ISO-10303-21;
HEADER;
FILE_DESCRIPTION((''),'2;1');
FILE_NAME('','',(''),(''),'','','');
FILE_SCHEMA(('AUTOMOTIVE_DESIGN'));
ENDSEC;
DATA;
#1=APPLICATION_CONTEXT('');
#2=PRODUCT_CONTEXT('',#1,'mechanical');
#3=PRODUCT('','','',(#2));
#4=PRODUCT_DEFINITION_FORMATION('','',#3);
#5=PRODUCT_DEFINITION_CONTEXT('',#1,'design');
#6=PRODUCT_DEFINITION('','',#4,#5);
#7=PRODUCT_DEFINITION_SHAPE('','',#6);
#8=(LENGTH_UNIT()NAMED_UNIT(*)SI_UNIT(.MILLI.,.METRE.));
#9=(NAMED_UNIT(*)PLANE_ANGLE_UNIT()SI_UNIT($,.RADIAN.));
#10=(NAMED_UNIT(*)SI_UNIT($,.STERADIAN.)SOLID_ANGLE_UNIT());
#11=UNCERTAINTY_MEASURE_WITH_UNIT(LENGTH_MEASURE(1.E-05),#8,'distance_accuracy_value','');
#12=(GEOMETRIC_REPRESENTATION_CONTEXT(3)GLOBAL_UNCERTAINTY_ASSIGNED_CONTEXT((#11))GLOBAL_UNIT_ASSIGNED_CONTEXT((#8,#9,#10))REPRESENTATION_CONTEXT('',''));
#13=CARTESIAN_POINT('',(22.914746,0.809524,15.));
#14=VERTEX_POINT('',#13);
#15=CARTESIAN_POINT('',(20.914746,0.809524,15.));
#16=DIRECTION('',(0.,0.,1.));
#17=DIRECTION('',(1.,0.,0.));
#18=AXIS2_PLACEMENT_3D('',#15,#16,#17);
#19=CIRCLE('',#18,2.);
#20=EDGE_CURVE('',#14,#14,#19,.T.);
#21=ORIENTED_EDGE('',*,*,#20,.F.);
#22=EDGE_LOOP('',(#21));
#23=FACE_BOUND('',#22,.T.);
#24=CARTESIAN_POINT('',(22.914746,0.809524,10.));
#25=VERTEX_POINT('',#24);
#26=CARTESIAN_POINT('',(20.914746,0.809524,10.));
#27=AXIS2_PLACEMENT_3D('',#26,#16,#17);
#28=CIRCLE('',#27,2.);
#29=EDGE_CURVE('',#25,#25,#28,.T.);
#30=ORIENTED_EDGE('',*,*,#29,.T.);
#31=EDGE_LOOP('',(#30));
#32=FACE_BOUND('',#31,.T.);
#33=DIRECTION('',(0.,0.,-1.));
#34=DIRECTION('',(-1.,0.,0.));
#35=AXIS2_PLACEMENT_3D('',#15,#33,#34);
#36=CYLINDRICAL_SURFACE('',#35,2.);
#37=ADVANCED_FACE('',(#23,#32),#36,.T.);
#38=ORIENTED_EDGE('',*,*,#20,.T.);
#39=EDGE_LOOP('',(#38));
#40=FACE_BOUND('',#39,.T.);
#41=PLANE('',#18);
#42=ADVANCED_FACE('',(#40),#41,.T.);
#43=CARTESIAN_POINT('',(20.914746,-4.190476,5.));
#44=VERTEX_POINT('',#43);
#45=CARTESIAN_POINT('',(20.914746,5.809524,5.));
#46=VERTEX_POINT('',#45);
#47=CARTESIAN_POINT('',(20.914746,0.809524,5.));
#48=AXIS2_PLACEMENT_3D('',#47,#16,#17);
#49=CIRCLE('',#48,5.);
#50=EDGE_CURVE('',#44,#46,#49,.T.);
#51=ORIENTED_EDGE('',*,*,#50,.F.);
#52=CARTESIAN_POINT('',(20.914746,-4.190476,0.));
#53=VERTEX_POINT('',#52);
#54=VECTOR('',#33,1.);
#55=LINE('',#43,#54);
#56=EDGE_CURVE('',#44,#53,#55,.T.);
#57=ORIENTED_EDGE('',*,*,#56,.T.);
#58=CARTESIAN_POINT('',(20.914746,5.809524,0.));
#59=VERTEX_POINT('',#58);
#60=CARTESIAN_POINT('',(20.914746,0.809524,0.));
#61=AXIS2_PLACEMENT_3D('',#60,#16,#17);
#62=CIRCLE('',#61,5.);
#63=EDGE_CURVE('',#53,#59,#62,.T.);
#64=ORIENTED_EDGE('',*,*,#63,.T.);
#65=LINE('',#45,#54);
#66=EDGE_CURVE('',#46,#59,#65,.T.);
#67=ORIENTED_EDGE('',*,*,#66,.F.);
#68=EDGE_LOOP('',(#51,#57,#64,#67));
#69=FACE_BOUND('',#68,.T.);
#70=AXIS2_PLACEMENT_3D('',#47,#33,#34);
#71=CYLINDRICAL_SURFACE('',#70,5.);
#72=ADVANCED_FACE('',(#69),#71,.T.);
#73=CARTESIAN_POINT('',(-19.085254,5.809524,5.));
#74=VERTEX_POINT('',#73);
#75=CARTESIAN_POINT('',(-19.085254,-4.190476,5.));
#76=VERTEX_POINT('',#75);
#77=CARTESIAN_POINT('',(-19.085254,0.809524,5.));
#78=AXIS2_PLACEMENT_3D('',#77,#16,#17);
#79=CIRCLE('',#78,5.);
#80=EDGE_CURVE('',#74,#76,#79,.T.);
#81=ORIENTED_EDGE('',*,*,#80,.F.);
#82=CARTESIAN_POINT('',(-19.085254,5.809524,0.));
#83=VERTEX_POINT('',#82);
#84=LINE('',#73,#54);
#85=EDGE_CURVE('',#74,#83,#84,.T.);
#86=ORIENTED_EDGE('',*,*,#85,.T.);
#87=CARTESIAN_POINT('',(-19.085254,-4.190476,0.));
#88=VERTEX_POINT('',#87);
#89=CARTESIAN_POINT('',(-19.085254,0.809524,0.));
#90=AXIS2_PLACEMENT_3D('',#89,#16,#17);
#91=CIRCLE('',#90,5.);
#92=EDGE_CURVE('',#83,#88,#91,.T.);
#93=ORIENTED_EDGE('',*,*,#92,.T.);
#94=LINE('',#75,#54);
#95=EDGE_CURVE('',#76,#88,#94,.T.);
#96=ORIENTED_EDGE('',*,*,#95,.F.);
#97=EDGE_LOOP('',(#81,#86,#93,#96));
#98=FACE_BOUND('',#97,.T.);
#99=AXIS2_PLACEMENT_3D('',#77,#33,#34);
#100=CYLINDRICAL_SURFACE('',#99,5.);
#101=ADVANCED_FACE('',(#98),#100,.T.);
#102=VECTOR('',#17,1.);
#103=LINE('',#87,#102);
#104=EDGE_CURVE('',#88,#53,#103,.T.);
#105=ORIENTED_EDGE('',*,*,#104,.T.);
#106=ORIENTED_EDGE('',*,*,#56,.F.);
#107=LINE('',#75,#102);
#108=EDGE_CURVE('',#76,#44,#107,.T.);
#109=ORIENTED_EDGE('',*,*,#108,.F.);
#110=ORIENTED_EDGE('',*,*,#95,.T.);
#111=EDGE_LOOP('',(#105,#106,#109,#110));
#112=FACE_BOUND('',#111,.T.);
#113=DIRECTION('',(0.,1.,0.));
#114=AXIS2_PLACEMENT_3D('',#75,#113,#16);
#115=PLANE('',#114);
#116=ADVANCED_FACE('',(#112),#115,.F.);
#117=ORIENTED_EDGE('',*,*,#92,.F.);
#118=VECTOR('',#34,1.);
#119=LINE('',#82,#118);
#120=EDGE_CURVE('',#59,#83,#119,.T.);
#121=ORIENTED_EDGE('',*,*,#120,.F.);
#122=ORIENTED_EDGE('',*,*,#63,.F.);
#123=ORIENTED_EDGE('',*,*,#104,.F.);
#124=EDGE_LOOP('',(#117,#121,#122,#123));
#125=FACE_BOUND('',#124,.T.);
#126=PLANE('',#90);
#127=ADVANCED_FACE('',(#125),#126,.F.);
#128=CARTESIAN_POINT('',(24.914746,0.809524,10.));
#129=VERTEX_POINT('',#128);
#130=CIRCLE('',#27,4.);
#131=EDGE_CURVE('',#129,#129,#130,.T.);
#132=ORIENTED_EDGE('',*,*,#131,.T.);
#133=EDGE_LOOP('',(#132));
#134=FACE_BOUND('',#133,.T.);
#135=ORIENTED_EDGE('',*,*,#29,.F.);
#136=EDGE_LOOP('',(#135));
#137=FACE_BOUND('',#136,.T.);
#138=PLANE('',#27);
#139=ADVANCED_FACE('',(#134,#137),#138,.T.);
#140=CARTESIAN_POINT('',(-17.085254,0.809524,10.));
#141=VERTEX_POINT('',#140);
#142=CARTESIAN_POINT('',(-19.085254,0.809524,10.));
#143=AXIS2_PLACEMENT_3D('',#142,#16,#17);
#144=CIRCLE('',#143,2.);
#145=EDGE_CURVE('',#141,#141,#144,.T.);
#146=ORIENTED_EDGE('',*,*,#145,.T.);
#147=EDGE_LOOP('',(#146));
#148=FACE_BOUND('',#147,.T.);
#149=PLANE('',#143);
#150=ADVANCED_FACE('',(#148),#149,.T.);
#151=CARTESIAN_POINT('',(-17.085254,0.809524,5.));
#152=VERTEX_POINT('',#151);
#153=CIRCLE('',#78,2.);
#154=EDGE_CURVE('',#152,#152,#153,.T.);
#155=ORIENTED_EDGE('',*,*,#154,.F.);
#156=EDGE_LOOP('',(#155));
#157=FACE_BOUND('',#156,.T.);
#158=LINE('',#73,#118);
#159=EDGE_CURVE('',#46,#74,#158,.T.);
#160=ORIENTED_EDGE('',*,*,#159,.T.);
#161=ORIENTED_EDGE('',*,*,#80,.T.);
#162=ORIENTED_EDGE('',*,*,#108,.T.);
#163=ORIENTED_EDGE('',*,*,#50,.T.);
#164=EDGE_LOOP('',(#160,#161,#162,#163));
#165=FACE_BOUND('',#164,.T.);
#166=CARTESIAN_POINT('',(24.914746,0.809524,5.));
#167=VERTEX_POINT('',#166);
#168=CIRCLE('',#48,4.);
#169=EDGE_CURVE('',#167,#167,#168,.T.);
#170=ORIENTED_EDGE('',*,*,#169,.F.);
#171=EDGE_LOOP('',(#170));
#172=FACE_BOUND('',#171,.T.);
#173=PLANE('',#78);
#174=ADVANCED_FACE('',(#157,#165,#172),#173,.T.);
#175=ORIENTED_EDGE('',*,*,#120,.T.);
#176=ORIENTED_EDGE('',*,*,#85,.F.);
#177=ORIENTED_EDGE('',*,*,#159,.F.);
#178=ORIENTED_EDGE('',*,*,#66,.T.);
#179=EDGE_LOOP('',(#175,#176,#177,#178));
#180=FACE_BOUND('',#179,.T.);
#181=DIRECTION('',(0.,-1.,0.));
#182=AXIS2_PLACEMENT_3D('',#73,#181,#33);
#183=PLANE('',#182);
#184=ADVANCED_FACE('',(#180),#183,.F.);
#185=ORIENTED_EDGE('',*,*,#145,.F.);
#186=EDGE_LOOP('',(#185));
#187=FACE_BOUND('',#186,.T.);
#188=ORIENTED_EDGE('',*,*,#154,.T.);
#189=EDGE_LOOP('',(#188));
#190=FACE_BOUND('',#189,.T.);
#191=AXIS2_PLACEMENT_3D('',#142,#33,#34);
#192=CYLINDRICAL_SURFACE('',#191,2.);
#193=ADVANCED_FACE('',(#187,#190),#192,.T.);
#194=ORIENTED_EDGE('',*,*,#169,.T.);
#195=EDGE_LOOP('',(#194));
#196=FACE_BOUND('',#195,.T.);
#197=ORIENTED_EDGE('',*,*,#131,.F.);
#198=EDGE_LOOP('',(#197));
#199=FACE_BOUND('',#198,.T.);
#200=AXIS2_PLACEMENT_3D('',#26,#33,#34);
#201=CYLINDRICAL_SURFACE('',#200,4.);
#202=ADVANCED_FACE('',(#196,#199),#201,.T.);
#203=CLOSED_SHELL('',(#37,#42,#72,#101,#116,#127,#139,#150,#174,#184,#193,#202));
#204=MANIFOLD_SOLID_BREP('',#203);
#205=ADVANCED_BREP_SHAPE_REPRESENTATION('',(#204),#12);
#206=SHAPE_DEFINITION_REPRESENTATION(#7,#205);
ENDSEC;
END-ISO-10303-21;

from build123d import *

# Parameters (mm, degrees)
SALIENTE_EXTRUIR1_DEPTH = 5
CROQUIS2_R              = 2
CROQUIS2_R_2            = 4
SALIENTE_EXTRUIR2_DEPTH = 5
CROQUIS3_R              = 2
SALIENTE_EXTRUIR3_DEPTH = 5


with BuildPart() as part:
    # Croquis1 → Saliente-Extruir1 (new body)
    with BuildSketch(Plane.XY):
        with BuildLine():
            Line((-19.085254299, 5.80952381), (20.914745701, 5.80952381))
            ThreePointArc((20.914745701, 5.80952381), (25.914745701, 0.80952381), (20.914745701, -4.19047619))
            Line((20.914745701, -4.19047619), (-19.085254299, -4.19047619))
            ThreePointArc((-19.085254299, -4.19047619), (-24.085254299, 0.80952381), (-19.085254299, 5.80952381))
        make_face()
    extrude(amount=SALIENTE_EXTRUIR1_DEPTH)

    # Croquis2 → Saliente-Extruir2 (add)
    with BuildSketch(Plane.XY.offset(5)):
        with Locations((-19.085254299, 0.80952381)):
            Circle(CROQUIS2_R)
        with Locations((20.914745701, 0.80952381)):
            Circle(CROQUIS2_R_2)
    extrude(amount=SALIENTE_EXTRUIR2_DEPTH)

    # Croquis3 → Saliente-Extruir3 (add)
    with BuildSketch(Plane.XY.offset(10)):
        with Locations((20.914745701, 0.80952381)):
            Circle(CROQUIS3_R)
    extrude(amount=SALIENTE_EXTRUIR3_DEPTH)


solid = part.part
